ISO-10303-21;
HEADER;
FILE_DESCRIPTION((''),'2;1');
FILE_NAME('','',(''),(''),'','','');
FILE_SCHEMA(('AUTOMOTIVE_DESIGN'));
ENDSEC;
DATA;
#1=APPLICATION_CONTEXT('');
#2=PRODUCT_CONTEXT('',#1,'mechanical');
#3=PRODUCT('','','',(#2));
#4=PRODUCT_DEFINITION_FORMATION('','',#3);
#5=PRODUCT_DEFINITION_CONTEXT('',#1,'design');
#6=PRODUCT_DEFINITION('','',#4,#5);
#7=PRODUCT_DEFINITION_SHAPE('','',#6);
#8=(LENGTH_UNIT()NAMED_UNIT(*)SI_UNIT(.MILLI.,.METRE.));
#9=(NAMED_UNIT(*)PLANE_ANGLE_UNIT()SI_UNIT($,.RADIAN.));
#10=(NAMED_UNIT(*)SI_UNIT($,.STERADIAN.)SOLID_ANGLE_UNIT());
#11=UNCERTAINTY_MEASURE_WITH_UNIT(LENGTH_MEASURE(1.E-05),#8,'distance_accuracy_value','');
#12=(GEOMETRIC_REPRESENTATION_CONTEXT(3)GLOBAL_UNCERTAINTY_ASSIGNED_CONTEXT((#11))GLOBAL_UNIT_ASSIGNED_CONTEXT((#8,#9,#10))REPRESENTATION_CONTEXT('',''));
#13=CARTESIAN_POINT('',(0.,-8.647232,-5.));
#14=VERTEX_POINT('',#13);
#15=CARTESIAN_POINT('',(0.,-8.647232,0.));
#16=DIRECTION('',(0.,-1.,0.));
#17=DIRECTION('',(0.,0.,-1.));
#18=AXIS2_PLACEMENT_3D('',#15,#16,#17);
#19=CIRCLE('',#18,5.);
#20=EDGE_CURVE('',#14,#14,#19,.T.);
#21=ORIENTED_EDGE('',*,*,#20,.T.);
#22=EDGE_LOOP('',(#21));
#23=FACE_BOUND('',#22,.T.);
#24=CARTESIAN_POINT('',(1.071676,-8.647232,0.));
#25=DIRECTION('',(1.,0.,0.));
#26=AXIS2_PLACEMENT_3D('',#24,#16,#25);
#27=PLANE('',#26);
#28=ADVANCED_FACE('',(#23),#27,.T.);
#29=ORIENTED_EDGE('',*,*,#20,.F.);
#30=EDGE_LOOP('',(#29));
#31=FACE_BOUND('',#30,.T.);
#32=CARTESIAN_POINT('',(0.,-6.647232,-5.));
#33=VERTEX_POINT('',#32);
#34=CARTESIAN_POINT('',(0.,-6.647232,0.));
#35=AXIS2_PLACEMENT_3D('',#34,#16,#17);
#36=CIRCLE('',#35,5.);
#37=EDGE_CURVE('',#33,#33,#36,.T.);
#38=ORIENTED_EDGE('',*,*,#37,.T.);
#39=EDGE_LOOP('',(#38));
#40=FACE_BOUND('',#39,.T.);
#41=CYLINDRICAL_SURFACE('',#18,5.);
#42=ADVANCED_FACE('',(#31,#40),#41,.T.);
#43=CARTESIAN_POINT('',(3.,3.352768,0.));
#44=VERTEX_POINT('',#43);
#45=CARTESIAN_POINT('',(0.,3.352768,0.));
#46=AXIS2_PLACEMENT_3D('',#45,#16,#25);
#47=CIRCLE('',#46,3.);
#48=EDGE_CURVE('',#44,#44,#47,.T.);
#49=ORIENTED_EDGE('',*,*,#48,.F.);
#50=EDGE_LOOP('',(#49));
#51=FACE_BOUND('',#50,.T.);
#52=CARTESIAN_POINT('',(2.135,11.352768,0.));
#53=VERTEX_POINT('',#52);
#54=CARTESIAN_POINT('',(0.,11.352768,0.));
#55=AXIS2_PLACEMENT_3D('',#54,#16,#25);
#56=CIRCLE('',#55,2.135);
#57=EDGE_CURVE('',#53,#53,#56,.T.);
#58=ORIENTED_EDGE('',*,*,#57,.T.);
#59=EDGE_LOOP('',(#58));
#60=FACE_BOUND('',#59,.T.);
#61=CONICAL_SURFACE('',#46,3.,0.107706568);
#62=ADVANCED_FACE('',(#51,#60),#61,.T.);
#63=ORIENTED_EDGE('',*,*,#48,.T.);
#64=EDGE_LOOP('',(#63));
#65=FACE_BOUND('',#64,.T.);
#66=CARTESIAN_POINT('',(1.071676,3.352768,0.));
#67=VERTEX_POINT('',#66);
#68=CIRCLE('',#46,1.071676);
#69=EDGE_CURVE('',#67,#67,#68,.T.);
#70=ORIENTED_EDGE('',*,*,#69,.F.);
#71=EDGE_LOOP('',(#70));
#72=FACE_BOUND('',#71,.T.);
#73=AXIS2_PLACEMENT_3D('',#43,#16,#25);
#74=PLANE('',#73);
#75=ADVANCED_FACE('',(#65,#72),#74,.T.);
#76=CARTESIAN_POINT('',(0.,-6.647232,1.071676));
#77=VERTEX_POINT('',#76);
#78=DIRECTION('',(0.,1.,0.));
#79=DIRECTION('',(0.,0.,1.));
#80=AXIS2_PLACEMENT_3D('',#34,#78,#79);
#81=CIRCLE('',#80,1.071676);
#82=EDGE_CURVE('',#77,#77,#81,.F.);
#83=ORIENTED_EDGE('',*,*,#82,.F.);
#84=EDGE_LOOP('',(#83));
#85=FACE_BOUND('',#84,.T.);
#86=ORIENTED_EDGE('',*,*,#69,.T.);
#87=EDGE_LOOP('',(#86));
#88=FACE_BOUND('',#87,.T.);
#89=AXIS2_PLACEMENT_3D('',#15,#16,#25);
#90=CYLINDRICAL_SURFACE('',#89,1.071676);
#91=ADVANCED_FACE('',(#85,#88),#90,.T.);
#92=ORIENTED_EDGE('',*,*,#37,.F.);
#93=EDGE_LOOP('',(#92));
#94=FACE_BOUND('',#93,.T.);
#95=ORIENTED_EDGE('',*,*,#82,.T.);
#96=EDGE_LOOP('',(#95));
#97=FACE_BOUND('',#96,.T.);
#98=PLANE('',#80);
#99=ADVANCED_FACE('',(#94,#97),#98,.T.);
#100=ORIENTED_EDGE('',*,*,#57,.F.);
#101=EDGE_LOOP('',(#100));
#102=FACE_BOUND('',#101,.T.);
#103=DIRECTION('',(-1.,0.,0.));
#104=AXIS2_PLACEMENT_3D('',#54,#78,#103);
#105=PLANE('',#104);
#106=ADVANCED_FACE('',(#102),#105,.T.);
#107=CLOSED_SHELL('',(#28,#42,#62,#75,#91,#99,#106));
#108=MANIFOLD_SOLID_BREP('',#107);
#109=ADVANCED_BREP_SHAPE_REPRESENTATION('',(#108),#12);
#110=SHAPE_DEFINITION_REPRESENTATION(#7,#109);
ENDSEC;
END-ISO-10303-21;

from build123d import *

# Parameters (mm, degrees)
SKETCH3_W = 5
SKETCH3_H = 2


with BuildPart() as part:
    # Sketch1 → Revolve2 (revolve)
    with BuildSketch(Plane.XY):
        Polygon((0, -8.647232081), (0, 11.352767919), (2.135, 11.352767919), (3, 3.352767919), (1.071676077, 3.352767919), (1.071676077, -8.647232081), align=None)
    revolve(axis=Axis((0, -8.647232081, 0), (0, 1, 0)))

    # Sketch3 → Revolve3 (revolve)
    with BuildSketch(Plane.XY):
        with Locations((2.5, -7.647232081)):
            Rectangle(SKETCH3_W, SKETCH3_H)
    revolve(axis=Axis((0, -8.647232081, 0), (0, 1, 0)))


solid = part.part
